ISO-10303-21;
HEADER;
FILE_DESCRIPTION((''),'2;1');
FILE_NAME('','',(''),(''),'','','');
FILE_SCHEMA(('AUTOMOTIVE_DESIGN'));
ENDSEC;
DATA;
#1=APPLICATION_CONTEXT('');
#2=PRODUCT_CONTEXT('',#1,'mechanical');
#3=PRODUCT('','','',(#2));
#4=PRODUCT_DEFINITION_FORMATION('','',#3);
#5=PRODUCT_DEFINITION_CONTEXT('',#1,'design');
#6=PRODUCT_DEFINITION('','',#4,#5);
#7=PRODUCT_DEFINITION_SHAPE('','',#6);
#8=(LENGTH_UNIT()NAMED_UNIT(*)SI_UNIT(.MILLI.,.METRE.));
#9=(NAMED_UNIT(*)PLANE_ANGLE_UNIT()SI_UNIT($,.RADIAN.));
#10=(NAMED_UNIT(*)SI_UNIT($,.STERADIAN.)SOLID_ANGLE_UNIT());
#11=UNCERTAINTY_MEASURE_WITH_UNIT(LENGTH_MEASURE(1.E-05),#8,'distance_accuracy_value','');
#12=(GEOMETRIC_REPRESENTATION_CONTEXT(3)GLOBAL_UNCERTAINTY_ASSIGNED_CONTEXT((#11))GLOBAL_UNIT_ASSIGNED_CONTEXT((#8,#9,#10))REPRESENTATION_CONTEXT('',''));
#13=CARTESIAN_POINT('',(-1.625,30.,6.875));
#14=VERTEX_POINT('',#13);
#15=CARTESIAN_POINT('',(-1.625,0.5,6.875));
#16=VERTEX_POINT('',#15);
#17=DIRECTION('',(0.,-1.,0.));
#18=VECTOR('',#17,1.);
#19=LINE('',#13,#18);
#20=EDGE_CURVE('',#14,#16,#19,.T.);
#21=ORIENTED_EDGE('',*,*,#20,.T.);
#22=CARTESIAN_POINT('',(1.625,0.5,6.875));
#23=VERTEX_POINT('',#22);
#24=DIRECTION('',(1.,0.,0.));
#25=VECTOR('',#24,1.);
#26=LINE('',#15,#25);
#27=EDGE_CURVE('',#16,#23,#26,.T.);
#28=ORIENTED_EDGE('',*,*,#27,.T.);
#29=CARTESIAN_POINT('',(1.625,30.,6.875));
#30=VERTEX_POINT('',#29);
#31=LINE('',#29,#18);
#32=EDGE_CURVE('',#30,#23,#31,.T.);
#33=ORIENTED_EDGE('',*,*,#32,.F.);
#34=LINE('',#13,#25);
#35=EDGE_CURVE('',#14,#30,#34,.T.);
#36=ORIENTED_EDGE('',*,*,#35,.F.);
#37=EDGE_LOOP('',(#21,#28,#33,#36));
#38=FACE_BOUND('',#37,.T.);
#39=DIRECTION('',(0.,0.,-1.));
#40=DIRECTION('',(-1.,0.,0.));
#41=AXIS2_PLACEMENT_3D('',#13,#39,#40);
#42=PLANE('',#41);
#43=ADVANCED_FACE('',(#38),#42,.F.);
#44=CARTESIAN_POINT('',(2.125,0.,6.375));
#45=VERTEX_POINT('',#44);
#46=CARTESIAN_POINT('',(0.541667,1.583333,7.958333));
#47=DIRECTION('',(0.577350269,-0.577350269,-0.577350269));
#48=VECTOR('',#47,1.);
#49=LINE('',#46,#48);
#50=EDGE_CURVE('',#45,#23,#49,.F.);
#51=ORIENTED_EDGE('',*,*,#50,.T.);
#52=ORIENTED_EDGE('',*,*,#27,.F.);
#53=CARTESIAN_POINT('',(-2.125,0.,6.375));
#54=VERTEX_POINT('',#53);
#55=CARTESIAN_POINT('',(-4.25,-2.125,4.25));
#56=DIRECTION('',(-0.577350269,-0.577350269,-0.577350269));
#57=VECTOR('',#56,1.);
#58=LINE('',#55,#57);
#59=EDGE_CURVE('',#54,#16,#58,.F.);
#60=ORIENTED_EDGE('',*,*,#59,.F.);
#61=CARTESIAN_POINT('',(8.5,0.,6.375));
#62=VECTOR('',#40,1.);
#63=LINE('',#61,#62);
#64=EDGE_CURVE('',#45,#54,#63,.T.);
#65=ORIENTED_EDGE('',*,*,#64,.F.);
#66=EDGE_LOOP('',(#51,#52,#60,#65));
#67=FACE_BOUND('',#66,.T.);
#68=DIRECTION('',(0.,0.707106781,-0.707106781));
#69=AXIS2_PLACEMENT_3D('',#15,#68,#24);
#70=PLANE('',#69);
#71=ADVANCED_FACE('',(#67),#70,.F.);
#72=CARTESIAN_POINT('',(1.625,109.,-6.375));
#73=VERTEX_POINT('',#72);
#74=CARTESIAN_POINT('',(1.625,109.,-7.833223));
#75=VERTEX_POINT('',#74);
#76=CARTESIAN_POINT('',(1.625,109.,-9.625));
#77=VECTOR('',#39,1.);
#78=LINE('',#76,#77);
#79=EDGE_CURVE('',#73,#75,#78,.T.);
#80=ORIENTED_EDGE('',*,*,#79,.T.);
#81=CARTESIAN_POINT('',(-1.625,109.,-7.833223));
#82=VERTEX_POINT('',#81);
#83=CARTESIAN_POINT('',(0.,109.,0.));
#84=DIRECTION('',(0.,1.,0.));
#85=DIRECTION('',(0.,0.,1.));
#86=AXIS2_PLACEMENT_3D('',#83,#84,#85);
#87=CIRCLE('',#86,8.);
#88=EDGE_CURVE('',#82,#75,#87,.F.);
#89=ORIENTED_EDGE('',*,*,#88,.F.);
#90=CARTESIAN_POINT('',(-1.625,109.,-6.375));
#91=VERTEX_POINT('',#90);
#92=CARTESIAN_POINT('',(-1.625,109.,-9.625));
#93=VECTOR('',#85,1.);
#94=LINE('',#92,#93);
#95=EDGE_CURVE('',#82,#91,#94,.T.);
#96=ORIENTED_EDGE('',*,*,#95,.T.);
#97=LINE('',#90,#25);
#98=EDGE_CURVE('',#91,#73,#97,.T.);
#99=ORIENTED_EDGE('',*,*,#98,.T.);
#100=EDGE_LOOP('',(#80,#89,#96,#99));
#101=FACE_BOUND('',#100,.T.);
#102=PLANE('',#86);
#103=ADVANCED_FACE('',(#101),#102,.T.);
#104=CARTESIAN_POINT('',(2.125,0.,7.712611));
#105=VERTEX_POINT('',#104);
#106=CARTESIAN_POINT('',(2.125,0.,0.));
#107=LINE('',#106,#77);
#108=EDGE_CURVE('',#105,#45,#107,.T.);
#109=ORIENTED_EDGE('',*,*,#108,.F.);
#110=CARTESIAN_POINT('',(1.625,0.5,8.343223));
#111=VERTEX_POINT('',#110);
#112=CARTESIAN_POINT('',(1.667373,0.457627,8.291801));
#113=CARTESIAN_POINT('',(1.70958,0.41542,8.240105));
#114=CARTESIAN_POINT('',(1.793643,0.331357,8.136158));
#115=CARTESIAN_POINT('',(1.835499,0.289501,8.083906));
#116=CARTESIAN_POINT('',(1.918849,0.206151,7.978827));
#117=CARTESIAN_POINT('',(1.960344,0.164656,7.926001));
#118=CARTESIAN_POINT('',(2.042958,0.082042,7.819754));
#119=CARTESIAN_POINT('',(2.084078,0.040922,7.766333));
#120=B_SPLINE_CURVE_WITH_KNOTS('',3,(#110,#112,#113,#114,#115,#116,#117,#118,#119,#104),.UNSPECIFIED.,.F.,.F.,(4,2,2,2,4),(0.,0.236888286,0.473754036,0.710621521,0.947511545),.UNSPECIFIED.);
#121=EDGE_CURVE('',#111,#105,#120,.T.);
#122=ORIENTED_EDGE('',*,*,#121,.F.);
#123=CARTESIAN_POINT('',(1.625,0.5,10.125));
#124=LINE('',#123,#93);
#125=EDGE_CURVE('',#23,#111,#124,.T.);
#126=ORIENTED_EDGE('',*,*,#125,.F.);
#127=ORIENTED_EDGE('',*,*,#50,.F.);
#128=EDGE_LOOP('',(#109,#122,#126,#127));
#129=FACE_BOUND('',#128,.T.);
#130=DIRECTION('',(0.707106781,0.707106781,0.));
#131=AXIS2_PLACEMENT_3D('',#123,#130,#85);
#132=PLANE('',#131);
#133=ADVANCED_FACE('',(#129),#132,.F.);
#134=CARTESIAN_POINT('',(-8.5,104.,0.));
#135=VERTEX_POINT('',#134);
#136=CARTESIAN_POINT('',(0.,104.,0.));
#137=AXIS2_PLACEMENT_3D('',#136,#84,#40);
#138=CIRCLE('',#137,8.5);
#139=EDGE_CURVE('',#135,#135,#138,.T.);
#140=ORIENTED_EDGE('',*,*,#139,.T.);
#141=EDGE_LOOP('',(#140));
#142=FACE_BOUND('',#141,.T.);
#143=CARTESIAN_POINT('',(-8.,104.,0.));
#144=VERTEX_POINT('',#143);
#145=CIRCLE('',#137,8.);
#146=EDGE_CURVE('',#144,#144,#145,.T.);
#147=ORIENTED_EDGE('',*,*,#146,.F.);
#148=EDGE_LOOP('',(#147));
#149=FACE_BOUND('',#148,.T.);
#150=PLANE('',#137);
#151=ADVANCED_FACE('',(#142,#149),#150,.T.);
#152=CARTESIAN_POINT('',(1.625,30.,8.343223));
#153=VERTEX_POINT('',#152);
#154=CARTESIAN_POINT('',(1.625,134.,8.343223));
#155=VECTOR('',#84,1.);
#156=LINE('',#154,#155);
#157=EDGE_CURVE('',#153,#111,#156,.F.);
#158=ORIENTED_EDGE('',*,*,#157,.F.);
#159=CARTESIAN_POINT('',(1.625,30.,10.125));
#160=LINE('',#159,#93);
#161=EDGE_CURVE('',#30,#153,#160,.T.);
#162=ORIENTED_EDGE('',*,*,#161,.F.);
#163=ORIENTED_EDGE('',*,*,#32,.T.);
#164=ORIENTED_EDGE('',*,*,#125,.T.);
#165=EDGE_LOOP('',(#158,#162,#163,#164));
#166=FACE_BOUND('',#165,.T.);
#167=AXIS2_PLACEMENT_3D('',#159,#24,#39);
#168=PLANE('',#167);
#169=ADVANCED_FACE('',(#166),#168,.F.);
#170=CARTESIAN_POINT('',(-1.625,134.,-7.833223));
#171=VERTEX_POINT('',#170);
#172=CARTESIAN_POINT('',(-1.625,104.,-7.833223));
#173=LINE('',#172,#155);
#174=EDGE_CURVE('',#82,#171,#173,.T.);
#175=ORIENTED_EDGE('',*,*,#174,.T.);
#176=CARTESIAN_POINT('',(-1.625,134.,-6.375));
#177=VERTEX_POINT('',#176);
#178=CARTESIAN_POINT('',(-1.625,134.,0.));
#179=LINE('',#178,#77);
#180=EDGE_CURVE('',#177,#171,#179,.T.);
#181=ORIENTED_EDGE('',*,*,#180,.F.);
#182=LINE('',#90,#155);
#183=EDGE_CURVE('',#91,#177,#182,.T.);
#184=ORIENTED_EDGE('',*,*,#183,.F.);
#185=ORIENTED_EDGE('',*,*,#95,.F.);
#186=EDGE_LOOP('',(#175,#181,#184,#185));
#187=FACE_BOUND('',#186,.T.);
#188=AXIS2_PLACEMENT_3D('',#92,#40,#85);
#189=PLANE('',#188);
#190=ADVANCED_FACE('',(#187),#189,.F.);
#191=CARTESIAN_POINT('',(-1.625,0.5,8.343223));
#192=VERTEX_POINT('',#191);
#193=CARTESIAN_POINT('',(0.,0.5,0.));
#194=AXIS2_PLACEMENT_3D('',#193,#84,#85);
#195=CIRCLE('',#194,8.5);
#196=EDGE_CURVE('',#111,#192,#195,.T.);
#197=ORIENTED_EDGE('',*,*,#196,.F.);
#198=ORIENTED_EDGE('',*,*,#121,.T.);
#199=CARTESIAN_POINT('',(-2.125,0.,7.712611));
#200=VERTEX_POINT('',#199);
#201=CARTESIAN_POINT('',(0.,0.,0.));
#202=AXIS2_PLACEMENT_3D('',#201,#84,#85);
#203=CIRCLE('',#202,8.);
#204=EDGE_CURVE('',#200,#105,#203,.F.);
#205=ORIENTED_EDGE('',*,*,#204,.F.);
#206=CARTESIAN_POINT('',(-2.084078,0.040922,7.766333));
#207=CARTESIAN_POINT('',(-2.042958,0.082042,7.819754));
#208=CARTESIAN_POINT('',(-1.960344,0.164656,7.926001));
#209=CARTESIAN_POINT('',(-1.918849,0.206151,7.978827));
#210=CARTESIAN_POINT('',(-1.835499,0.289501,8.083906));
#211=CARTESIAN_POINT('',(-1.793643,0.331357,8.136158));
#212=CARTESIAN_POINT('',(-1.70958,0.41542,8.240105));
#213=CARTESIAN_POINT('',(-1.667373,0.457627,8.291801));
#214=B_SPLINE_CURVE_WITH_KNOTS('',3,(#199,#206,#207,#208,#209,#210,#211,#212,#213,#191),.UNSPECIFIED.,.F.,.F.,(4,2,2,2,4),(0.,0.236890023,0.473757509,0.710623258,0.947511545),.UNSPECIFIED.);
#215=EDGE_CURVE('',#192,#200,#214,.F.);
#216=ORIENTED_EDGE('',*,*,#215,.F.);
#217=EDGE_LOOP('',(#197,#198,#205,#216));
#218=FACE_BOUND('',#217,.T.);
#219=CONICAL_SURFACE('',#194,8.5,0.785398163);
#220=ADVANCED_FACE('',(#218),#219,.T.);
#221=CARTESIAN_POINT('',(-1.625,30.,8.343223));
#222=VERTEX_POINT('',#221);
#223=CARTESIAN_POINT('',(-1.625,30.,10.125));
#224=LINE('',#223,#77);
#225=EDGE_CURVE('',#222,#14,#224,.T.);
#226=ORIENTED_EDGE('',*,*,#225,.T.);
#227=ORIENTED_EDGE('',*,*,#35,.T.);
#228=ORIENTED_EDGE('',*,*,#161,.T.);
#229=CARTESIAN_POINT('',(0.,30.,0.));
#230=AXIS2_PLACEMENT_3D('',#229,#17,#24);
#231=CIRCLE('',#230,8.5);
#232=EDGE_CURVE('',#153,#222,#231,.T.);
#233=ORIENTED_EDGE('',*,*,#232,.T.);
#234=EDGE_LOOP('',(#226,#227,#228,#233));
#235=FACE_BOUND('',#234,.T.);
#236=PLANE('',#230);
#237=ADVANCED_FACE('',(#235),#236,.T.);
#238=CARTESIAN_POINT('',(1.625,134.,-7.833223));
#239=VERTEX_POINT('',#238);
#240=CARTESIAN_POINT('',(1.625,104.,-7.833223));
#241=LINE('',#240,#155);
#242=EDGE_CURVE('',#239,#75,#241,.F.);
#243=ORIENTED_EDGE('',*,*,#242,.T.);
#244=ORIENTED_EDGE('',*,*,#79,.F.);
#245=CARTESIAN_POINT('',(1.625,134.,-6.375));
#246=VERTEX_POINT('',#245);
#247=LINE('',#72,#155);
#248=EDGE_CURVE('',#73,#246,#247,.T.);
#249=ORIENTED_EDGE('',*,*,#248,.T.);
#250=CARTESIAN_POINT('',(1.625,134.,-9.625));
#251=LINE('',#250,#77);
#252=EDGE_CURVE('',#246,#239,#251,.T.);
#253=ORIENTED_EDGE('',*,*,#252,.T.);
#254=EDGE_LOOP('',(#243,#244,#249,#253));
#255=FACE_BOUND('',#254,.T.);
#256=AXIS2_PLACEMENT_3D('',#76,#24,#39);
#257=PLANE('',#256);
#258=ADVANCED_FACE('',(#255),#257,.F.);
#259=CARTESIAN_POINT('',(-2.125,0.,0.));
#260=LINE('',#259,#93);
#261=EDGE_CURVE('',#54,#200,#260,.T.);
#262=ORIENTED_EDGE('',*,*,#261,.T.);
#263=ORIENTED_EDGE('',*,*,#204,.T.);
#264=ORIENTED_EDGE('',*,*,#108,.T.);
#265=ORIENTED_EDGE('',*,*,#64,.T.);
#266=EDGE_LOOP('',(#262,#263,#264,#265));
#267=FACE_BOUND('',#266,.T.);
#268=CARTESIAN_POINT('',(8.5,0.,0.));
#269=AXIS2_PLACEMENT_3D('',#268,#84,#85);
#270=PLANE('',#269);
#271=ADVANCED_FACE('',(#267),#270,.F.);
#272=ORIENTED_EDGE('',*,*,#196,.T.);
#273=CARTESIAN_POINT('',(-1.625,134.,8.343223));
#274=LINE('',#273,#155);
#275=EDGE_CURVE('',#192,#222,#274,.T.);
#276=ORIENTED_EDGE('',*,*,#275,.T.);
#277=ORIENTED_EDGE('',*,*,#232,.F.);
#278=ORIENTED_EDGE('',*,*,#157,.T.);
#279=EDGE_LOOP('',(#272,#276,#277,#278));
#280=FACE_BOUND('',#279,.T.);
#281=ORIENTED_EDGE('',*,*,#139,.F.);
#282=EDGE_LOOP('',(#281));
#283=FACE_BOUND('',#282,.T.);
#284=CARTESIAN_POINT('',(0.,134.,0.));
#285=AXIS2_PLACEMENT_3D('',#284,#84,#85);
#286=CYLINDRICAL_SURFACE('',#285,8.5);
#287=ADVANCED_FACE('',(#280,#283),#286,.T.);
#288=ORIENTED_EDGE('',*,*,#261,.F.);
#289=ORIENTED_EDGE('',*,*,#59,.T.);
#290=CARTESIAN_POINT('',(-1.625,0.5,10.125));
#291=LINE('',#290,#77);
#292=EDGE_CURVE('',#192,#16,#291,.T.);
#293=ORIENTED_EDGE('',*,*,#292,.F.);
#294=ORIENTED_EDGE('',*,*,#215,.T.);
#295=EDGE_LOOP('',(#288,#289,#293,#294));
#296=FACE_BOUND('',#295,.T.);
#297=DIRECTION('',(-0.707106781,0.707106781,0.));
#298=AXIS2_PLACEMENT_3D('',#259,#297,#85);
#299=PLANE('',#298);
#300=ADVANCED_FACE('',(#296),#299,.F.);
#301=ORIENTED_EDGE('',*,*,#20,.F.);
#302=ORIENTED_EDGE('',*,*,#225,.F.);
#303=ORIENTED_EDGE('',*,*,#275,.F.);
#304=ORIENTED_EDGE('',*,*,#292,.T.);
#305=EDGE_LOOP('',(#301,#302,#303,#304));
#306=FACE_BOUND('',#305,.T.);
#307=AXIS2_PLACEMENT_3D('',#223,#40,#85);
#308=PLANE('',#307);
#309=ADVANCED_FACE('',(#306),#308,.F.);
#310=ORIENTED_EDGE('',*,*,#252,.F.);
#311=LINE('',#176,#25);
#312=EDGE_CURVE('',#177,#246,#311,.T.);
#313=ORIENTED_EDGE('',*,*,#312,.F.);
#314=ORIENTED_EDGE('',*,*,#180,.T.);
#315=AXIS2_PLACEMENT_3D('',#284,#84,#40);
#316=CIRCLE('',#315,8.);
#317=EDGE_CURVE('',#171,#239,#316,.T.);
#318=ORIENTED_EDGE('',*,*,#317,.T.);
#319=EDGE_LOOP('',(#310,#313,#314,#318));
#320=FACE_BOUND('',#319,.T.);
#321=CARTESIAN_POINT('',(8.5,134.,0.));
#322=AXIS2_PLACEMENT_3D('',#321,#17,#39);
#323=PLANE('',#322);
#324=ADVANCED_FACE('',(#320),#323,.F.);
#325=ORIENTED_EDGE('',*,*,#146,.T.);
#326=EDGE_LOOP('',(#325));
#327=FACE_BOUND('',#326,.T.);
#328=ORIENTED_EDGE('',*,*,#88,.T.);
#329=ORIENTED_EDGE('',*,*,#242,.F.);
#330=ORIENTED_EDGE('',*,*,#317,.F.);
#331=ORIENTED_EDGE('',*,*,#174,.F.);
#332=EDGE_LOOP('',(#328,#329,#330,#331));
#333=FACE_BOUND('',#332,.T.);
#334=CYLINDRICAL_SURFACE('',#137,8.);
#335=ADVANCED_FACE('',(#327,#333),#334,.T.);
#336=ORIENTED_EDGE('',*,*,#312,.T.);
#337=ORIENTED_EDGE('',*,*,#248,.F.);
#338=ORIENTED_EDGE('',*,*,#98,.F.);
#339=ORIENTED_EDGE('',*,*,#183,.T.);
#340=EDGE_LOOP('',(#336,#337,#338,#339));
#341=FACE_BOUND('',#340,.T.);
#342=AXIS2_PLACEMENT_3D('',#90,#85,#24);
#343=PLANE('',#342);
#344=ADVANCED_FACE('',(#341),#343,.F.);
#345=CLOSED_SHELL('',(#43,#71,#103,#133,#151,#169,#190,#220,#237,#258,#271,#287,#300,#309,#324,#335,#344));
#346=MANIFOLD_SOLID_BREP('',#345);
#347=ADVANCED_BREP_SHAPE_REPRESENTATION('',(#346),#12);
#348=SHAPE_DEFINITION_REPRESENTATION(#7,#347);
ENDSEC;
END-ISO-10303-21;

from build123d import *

# Parameters (mm, degrees)
SKETCH1_W          = 8.5
SKETCH1_H          = 134
SKETCH2_W          = 3.25
SKETCH2_H          = 3.25
CUT_EXTRUDE1_DEPTH = 30
CHAMFER1_SIZE      = 0.5
SKETCH4_OUTSIDE_W  = 46.228
SKETCH4_OUTSIDE_H  = 46.228
SKETCH4_OUTSIDE_R  = 8
CUT_EXTRUDE3_DEPTH = 30
SKETCH3_W          = 3.25
SKETCH3_H          = 3.25
CUT_EXTRUDE2_DEPTH = 25


with BuildPart() as part:
    # Sketch1 → Revolve1 (revolve)
    with BuildSketch(Plane.XY, mode=Mode.PRIVATE) as revolve1_sk:
        with Locations((4.25, 67)):
            Rectangle(SKETCH1_W, SKETCH1_H)
    revolve(revolve1_sk.sketch.rotate(Axis((0, 134, 0), (0, -1, 0)), 90), axis=Axis((0, 134, 0), (0, -1, 0)))

    # Sketch2 → Cut-Extrude1 (cut)
    with BuildSketch(Plane.XZ):
        with Locations((0, 8.5)):
            Rectangle(SKETCH2_W, SKETCH2_H)
    extrude(amount=-CUT_EXTRUDE1_DEPTH, mode=Mode.SUBTRACT)

    # Chamfer1
    chamfer1_edges = [part.edges().sort_by_distance(p)[0] for p in [
        (1.625, 0, 7.609111649),
        (0, 0, 6.875),
        (0, 0, -8.5),
        (0, 134, -8.5),
        (-1.625, 0, 7.609111649),
    ]]
    chamfer(chamfer1_edges, length=CHAMFER1_SIZE)

    # Sketch4 outside → Cut-Extrude3 (cut)
    with BuildSketch(Plane(origin=(0, 134, 0), x_dir=(1, 0, 0), z_dir=(0, 1, 0))):
        Rectangle(SKETCH4_OUTSIDE_W, SKETCH4_OUTSIDE_H)
        with Locations(Location((0, 0, 0), (0, 0, 180))):
            Circle(SKETCH4_OUTSIDE_R, mode=Mode.SUBTRACT)
    extrude(amount=-CUT_EXTRUDE3_DEPTH, mode=Mode.SUBTRACT)

    # Sketch3 → Cut-Extrude2 (cut)
    with BuildSketch(Plane(origin=(0, 134, 0), x_dir=(1, 0, 0), z_dir=(0, 1, 0))):
        with Locations((0, 8)):
            Rectangle(SKETCH3_W, SKETCH3_H)
    extrude(amount=-CUT_EXTRUDE2_DEPTH, mode=Mode.SUBTRACT)


solid = part.part
